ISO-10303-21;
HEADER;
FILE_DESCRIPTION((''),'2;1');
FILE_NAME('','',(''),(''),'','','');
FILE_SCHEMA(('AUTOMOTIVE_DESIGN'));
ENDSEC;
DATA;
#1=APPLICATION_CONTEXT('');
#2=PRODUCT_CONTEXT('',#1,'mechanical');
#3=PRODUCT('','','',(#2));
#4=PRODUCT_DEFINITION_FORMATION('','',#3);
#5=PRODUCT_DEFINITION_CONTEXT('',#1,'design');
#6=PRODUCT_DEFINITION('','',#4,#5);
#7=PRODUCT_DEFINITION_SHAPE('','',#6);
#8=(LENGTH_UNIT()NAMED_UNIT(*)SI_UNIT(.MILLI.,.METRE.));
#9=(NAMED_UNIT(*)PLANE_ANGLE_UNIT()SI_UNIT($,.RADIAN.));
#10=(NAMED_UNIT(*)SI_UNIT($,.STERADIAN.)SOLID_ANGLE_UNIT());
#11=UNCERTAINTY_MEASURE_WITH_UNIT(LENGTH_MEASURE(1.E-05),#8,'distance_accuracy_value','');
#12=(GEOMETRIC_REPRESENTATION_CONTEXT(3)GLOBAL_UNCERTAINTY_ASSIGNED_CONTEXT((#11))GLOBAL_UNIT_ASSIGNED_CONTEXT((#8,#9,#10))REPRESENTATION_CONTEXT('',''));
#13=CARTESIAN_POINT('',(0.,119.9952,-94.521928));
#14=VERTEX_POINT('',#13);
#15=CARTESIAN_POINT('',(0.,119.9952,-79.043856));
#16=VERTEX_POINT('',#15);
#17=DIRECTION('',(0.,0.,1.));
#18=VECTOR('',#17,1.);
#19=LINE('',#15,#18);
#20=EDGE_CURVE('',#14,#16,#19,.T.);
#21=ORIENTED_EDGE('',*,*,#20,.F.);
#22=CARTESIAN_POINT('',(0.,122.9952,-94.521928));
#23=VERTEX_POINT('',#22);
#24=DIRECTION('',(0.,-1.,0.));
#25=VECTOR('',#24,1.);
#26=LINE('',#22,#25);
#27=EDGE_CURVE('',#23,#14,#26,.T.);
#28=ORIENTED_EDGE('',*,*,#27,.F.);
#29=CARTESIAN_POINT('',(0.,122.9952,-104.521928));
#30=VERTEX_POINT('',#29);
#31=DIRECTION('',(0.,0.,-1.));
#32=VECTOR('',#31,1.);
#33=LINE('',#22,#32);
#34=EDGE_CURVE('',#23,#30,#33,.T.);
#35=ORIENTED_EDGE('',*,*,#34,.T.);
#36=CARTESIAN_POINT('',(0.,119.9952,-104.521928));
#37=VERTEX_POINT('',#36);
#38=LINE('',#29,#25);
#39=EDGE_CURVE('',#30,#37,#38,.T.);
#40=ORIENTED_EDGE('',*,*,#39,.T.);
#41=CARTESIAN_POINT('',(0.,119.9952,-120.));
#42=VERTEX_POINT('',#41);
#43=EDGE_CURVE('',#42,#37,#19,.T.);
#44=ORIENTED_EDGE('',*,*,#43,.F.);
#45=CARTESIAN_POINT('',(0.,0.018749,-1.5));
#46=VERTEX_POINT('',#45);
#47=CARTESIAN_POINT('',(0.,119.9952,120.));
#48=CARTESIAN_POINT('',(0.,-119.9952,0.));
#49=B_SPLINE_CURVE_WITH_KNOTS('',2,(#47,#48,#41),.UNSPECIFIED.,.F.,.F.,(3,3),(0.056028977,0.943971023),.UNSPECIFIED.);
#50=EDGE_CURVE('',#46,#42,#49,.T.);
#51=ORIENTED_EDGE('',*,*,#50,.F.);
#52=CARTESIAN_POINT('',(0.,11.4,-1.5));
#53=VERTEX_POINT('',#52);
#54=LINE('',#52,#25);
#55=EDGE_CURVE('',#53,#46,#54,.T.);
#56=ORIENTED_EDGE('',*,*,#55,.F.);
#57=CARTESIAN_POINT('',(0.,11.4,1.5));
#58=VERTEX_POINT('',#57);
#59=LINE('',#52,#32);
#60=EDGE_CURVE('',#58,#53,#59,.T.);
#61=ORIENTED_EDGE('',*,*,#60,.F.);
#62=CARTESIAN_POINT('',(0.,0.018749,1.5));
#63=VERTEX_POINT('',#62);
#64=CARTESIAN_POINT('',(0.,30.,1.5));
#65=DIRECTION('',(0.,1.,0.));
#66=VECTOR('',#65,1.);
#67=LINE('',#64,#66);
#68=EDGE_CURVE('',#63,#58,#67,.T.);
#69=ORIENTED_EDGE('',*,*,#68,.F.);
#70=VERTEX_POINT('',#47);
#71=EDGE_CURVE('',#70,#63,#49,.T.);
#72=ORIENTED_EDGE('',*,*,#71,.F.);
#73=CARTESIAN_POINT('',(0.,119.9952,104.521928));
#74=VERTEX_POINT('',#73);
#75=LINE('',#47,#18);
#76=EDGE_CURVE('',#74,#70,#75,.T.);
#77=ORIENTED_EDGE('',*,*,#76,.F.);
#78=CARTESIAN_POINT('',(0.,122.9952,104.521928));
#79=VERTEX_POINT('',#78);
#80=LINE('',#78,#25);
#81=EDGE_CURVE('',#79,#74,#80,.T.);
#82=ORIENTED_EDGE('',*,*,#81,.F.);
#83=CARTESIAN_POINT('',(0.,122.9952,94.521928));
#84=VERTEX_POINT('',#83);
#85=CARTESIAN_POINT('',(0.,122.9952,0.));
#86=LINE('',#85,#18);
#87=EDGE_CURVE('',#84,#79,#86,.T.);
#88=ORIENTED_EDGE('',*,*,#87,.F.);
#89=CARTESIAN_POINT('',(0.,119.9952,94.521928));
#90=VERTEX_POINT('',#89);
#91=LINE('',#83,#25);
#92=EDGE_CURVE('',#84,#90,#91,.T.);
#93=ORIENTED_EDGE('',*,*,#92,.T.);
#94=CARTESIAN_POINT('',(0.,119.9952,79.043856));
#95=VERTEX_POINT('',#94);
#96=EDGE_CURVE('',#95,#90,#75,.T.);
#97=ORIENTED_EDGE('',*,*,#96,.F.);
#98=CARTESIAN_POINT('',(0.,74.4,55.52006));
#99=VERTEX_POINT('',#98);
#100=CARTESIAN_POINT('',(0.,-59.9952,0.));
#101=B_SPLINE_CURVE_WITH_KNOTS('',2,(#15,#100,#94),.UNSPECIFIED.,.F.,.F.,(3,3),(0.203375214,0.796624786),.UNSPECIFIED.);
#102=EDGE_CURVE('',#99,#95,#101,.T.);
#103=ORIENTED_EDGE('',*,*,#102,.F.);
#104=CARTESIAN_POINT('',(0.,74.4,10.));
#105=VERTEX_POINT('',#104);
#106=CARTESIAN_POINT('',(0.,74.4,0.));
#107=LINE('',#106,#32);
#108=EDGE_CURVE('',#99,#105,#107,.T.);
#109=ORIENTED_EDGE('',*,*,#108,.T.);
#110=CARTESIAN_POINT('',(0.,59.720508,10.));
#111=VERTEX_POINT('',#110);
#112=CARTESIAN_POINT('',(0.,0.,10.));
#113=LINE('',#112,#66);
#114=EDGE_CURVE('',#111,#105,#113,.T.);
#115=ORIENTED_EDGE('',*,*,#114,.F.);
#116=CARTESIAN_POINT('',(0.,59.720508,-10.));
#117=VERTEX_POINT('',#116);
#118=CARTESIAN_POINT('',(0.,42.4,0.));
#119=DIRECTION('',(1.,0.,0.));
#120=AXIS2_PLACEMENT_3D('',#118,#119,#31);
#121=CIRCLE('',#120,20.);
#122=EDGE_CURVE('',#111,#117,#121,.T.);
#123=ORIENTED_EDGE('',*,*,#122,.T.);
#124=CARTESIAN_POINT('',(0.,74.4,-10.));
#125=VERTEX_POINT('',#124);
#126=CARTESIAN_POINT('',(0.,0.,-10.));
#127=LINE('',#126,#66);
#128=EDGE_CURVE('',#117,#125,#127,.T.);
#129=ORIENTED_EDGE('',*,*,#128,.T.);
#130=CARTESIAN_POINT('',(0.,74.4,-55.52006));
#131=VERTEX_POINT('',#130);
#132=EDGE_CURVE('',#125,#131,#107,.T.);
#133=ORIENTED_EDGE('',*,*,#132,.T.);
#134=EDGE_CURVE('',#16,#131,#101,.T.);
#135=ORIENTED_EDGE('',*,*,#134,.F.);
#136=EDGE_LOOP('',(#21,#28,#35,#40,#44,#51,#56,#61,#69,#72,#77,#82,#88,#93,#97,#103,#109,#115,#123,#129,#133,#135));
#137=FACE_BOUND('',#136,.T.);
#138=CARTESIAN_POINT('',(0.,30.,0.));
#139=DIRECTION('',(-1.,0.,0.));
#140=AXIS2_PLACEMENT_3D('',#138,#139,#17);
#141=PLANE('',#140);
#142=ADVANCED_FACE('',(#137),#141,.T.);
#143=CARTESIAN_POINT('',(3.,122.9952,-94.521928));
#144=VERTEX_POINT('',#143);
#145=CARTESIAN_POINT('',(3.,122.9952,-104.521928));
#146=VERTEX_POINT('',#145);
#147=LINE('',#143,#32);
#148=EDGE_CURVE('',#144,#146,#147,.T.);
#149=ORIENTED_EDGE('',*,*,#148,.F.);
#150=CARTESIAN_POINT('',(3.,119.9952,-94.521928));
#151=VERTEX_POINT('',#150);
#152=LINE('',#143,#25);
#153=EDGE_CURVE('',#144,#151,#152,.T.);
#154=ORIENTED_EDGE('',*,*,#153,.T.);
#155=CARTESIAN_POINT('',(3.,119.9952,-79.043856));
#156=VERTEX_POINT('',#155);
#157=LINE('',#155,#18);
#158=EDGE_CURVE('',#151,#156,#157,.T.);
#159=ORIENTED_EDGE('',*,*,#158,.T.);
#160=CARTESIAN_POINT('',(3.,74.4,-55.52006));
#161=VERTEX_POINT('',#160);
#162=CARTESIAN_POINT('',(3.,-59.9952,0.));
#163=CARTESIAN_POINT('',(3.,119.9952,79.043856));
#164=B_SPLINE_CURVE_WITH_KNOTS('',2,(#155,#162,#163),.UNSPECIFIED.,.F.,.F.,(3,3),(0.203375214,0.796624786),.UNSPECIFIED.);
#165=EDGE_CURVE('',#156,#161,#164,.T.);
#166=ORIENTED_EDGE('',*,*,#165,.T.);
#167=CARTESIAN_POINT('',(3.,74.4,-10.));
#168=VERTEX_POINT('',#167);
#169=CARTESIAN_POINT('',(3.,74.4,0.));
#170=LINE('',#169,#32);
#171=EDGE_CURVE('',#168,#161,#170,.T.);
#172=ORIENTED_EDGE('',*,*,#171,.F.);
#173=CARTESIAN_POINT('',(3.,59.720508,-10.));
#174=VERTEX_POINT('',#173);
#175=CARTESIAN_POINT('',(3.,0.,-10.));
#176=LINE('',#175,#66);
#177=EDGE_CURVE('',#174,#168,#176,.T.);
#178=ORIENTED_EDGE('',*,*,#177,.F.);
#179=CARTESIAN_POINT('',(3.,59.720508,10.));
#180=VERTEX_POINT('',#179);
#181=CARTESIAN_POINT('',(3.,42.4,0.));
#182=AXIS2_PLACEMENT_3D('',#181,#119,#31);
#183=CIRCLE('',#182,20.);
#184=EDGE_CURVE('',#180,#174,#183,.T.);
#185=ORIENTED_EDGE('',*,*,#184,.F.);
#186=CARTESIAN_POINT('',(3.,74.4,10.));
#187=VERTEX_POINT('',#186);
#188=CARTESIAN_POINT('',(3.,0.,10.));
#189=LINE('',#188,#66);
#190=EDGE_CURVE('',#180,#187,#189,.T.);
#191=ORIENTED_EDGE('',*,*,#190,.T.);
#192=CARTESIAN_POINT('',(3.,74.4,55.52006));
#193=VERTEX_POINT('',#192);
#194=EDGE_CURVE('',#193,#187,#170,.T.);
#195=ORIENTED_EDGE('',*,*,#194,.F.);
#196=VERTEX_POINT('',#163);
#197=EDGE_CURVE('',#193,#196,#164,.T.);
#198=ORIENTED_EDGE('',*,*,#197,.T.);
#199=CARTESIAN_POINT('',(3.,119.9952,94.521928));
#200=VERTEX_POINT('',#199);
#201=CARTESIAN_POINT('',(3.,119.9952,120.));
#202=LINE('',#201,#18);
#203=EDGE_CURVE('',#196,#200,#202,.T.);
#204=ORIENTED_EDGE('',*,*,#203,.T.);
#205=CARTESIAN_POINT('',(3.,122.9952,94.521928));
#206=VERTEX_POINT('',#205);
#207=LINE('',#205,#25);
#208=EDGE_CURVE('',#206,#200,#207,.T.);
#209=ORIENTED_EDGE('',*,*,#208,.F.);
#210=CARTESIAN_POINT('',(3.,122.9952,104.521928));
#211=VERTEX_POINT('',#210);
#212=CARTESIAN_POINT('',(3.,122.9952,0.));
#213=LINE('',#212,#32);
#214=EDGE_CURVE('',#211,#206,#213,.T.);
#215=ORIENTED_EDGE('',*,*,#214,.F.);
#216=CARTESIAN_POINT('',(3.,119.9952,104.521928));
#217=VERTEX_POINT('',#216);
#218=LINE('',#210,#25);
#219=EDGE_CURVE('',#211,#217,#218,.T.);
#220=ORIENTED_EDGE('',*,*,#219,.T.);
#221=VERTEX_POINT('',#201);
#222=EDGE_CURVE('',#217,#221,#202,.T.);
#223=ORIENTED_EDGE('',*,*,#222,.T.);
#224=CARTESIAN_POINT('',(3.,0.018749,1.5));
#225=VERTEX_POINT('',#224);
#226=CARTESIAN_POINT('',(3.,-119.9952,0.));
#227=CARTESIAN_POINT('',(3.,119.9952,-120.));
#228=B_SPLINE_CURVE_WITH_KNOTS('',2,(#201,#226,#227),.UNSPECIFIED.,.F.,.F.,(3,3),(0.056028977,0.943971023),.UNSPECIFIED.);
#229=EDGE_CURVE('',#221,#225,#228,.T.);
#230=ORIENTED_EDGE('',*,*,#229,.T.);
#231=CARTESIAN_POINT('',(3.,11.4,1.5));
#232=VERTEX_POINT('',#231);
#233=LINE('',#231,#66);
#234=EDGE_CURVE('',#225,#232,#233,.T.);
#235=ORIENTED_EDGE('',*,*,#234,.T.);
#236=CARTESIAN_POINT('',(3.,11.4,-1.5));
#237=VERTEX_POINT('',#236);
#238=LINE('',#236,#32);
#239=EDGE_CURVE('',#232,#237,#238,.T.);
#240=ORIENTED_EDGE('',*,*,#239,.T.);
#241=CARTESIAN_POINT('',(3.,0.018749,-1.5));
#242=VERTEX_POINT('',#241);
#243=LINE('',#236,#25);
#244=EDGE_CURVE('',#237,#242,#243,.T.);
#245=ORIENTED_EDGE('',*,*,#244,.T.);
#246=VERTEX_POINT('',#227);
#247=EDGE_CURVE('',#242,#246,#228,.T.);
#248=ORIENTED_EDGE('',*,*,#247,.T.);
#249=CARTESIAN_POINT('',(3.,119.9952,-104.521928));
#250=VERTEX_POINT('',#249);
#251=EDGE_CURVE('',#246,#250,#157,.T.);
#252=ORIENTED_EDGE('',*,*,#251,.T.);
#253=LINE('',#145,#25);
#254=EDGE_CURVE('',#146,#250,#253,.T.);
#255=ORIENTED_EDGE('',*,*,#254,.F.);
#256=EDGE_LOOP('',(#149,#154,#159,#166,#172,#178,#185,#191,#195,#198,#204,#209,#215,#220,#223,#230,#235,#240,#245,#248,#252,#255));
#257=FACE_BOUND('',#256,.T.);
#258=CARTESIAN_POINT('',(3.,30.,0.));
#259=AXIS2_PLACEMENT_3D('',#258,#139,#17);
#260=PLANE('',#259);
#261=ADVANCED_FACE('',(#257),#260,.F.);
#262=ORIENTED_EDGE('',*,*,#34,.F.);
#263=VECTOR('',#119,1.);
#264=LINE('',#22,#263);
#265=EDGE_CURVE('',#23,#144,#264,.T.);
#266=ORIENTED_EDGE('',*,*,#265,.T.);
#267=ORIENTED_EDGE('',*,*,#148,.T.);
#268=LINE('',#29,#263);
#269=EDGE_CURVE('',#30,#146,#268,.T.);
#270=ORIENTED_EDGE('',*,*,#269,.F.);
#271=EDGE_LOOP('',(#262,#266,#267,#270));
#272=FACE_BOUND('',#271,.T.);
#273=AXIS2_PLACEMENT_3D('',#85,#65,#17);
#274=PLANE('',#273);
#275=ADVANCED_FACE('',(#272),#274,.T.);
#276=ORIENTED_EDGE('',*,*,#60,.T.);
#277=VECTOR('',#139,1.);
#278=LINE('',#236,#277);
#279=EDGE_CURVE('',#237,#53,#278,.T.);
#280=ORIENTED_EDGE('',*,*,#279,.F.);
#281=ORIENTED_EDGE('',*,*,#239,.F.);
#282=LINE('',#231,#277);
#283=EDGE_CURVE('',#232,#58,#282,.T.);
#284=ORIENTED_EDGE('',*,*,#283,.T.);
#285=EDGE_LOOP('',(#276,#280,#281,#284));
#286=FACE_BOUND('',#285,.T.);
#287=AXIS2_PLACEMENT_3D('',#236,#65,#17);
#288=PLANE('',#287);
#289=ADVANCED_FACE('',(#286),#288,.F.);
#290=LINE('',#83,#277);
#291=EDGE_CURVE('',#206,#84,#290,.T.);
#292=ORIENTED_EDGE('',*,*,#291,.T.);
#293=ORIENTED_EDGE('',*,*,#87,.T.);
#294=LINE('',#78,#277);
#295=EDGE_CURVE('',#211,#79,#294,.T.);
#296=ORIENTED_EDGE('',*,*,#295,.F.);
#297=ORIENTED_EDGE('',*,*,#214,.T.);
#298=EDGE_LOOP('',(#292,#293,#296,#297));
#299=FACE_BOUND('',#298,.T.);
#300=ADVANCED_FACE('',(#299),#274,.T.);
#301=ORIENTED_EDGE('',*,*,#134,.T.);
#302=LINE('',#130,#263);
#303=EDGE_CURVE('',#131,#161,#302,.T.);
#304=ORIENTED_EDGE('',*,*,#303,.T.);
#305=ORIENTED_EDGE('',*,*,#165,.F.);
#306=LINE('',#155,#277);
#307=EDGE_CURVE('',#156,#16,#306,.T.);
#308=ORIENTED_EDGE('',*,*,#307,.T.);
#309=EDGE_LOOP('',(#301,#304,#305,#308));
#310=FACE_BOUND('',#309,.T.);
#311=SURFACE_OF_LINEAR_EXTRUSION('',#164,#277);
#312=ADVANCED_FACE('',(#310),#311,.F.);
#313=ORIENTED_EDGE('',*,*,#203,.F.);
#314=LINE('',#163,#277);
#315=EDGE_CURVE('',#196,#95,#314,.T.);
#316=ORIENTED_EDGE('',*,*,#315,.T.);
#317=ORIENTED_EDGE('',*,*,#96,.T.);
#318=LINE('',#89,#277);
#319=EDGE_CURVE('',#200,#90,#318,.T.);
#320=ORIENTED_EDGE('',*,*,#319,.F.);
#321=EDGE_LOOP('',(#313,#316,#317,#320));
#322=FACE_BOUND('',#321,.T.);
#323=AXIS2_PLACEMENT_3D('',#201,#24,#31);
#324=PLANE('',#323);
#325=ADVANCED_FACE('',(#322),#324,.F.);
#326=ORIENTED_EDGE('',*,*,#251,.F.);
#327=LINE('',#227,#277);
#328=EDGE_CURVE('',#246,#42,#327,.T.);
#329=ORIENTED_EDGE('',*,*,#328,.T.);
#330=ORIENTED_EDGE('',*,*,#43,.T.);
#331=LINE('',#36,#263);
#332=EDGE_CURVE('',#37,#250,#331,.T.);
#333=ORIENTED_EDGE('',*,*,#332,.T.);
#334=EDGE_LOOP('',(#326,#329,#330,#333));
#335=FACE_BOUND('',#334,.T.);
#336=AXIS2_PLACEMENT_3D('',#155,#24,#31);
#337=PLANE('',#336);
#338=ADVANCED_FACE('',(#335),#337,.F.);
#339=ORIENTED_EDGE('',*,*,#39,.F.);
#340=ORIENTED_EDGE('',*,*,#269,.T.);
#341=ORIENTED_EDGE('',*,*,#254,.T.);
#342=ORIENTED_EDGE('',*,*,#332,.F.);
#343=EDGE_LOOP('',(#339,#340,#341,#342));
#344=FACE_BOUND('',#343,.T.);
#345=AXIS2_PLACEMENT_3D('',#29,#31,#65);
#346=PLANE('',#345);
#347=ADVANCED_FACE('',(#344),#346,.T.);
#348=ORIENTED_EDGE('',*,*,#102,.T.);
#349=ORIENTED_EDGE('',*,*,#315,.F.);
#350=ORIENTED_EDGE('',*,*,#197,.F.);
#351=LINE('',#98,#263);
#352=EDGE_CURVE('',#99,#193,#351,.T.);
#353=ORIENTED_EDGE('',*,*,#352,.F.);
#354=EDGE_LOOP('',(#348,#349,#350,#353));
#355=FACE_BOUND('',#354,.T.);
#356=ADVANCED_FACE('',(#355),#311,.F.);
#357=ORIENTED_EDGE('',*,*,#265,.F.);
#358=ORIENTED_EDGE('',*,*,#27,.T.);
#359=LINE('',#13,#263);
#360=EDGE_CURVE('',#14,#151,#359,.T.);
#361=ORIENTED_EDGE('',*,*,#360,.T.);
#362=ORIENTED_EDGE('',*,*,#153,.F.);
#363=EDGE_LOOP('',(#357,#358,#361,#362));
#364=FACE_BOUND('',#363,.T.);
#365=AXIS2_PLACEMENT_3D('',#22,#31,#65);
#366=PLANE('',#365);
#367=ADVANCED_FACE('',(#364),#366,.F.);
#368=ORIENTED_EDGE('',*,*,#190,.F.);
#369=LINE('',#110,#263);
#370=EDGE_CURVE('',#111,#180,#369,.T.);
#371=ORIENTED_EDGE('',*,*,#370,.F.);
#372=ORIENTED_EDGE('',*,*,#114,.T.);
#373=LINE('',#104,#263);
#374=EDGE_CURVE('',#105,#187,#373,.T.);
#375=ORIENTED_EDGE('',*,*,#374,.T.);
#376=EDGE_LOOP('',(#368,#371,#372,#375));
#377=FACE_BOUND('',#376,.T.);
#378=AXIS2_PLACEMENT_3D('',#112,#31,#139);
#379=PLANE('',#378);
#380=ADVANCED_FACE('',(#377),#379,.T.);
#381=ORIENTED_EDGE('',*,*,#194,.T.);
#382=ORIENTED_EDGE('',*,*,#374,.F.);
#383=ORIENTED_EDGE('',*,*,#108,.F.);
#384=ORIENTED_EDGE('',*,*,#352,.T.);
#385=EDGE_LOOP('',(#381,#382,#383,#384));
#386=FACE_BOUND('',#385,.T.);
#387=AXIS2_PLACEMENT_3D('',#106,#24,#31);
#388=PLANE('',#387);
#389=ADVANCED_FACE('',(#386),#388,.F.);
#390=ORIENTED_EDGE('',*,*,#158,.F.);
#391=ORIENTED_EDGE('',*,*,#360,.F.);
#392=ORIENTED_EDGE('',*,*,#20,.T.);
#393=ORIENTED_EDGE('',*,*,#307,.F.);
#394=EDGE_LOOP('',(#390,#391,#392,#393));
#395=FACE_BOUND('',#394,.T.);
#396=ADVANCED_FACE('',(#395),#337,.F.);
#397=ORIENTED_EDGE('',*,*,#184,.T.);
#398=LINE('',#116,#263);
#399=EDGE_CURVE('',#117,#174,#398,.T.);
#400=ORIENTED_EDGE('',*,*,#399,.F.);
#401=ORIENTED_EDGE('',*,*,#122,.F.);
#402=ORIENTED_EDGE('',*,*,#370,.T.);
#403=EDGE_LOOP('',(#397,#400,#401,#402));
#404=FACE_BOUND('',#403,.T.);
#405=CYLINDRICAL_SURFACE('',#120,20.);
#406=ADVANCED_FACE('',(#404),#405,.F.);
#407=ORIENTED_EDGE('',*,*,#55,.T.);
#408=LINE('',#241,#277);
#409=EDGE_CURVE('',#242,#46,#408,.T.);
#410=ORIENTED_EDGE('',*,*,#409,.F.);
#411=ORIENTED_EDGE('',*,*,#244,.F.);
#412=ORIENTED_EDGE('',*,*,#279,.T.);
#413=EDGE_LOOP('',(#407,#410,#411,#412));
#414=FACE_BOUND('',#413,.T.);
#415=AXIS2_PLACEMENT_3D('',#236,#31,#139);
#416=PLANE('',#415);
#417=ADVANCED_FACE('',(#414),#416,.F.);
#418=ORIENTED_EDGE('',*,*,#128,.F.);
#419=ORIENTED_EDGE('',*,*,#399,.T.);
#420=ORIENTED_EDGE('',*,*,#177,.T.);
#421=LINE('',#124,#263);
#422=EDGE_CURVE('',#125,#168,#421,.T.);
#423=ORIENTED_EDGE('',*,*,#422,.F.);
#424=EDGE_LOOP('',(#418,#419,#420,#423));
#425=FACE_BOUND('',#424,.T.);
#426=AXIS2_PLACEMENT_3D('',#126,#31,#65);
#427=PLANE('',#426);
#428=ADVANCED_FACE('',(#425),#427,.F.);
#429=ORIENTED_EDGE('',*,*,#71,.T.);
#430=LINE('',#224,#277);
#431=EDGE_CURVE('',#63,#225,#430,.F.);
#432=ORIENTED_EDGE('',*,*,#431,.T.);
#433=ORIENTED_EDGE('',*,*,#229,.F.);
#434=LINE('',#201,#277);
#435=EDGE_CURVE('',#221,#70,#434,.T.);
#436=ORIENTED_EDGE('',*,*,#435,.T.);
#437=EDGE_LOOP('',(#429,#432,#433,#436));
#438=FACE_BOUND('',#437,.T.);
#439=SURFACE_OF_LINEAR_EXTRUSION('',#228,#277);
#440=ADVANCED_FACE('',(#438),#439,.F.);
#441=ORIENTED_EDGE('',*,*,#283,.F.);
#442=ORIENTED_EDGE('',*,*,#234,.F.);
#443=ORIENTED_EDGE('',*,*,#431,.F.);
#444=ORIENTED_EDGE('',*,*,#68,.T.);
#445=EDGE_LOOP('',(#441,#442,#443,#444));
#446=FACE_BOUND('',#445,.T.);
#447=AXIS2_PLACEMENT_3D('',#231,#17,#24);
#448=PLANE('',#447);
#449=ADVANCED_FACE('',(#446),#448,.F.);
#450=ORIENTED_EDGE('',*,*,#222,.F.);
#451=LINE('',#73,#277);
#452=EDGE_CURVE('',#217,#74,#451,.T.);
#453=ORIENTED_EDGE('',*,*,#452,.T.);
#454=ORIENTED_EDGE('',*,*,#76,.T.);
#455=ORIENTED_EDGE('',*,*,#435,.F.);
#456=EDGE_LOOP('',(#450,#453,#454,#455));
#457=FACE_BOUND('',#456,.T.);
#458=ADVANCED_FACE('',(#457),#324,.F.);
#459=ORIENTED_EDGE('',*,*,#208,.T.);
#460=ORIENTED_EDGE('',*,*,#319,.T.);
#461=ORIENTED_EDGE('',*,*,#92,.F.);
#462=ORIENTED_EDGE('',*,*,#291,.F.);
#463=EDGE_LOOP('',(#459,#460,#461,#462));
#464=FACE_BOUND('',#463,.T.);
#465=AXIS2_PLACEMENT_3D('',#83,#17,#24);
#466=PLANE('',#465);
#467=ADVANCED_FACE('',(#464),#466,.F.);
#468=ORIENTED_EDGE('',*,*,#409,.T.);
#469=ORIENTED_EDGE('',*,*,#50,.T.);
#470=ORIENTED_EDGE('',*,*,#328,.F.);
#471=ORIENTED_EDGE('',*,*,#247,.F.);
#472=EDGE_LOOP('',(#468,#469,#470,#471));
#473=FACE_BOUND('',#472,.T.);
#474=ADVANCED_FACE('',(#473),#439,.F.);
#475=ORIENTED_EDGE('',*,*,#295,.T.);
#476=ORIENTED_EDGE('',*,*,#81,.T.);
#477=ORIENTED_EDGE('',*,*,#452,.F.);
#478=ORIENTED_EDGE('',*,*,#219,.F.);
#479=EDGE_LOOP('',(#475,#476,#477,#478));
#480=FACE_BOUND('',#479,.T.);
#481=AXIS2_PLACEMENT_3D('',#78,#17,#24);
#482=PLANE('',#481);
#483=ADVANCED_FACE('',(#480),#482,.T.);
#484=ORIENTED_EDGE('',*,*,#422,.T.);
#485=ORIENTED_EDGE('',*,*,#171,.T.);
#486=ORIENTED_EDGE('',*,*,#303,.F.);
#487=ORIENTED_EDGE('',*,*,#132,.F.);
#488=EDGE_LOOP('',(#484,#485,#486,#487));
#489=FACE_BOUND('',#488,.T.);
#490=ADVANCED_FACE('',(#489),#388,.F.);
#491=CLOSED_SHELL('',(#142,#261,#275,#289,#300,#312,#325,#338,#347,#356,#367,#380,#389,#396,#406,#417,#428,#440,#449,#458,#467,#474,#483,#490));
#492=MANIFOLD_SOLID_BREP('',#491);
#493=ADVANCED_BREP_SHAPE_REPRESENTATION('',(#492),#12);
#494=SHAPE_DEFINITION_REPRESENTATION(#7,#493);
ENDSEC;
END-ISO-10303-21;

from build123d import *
from build123d.topology import SkipClean

# Parameters (mm, degrees)
EXTRUDE_1_DEPTH          = 3
SKETCH_2_W               = 3
SKETCH_2_H               = 10
EXTRUDE_2_DEPTH          = 3
EXTRUDE_3_DEPTH          = 3
CUT_EXTRUDE_1_DEPTH      = 172.862791995
CUT_EXTRUDE_1_DEPTH_BACK = 3
SKETCH_4_W               = 3
SKETCH_4_H               = 15.330567524
CUT_EXTRUDE_2_DEPTH      = 172.862791995


with BuildPart() as part:
    # 草图1 → 凸台-拉伸1 (new body)
    with BuildSketch(Plane(origin=(0, 0, 0), x_dir=(0, 0, -1), z_dir=(1, 0, 0))):
        with BuildLine():
            Line((-120, 119.995200001), (-79.04385574, 119.995200001))
            add(Edge.make_bspline(
                [(-79.04385574, 119.995200001), (0, -59.995200001), (79.04385574, 119.995200001)],
                knots=[0.203375214, 0.203375214, 0.203375214, 0.796624786, 0.796624786, 0.796624786], degree=2))
            Line((79.04385574, 119.995200001), (120, 119.995200001))
            add(Edge.make_bspline(
                [(-120, 119.995200001), (0, -119.995200001), (120, 119.995200001)],
                knots=[0.056028977, 0.056028977, 0.056028977, 0.943971023, 0.943971023, 0.943971023], degree=2))
        make_face()
    extrude(amount=EXTRUDE_1_DEPTH)

    # 草图2 → 凸台-拉伸2 (add)
    with BuildSketch(Plane(origin=(0, 119.995200001, 0), x_dir=(1, 0, 0), z_dir=(0, 1, 0))):
        with Locations((1.5, -99.52192787)):
            Rectangle(SKETCH_2_W, SKETCH_2_H)
        with Locations((1.5, 99.52192787)):
            Rectangle(SKETCH_2_W, SKETCH_2_H)
    extrude(amount=EXTRUDE_2_DEPTH)

    # 草图3 → 凸台-拉伸3 (add)
    with BuildSketch(Plane(origin=(3, 0, 0), x_dir=(0, 0, -1), z_dir=(1, 0, 0))):
        with BuildLine():
            ThreePointArc((10, 59.720508076), (18.900244528, 48.940700022), (18.566840065, 34.96545563))
            add(Edge.make_bspline(
                [(55.520060246, 74.4), (37.043450156, 44.848105266), (18.566840065, 34.96545563)],
                knots=[0, 0, 0, 1, 1, 1], degree=2))
            Line((55.520060246, 74.4), (10, 74.4))
            Line((10, 74.4), (10, 59.720508076))
        make_face()
        with BuildLine():
            Line((-10, 74.4), (-55.520060246, 74.4))
            add(Edge.make_bspline(
                [(-18.566840065, 34.96545563), (-37.043450156, 44.848105266), (-55.520060246, 74.4)],
                knots=[0, 0, 0, 1, 1, 1], degree=2))
            ThreePointArc((-18.566840065, 34.96545563), (-18.900244528, 48.940700022), (-10, 59.720508076))
            Line((-10, 59.720508076), (-10, 74.4))
        make_face()
    extrude(amount=-EXTRUDE_3_DEPTH)

    # 草图3<3> → 切除-拉伸1 (cut, two sides: drawn at the far end of the back side and taken through both)
    with SkipClean():  # the faces are left unmerged after this step: merging them gives an invalid solid
        with BuildSketch(Plane(origin=(3, 0, 0), x_dir=(0, 0, -1), z_dir=(1, 0, 0)).offset(-CUT_EXTRUDE_1_DEPTH_BACK)):
            with BuildLine():
                add(Edge.make_bspline(
                    [(18.566840065, 34.96545563), (0, 25.03454437), (-18.566840065, 34.96545563)],
                    knots=[0.430324946, 0.430324946, 0.430324946, 0.569675054, 0.569675054, 0.569675054], degree=2))
                ThreePointArc((-18.566840065, 34.96545563), (-11.209574314, 25.836623421), (0, 22.4))
                ThreePointArc((0, 22.4), (11.209574314, 25.836623421), (18.566840065, 34.96545563))
            make_face()
        extrude(amount=CUT_EXTRUDE_1_DEPTH + CUT_EXTRUDE_1_DEPTH_BACK, mode=Mode.SUBTRACT)

    # 草图4 → 切除-拉伸2 (cut, through all)
    with SkipClean():  # the faces are left unmerged after this step: merging them gives an invalid solid
        with BuildSketch(Plane.ZY):
            with Locations((0, 3.734716238)):
                Rectangle(SKETCH_4_W, SKETCH_4_H)
        extrude(amount=-CUT_EXTRUDE_2_DEPTH, mode=Mode.SUBTRACT)


solid = part.part
